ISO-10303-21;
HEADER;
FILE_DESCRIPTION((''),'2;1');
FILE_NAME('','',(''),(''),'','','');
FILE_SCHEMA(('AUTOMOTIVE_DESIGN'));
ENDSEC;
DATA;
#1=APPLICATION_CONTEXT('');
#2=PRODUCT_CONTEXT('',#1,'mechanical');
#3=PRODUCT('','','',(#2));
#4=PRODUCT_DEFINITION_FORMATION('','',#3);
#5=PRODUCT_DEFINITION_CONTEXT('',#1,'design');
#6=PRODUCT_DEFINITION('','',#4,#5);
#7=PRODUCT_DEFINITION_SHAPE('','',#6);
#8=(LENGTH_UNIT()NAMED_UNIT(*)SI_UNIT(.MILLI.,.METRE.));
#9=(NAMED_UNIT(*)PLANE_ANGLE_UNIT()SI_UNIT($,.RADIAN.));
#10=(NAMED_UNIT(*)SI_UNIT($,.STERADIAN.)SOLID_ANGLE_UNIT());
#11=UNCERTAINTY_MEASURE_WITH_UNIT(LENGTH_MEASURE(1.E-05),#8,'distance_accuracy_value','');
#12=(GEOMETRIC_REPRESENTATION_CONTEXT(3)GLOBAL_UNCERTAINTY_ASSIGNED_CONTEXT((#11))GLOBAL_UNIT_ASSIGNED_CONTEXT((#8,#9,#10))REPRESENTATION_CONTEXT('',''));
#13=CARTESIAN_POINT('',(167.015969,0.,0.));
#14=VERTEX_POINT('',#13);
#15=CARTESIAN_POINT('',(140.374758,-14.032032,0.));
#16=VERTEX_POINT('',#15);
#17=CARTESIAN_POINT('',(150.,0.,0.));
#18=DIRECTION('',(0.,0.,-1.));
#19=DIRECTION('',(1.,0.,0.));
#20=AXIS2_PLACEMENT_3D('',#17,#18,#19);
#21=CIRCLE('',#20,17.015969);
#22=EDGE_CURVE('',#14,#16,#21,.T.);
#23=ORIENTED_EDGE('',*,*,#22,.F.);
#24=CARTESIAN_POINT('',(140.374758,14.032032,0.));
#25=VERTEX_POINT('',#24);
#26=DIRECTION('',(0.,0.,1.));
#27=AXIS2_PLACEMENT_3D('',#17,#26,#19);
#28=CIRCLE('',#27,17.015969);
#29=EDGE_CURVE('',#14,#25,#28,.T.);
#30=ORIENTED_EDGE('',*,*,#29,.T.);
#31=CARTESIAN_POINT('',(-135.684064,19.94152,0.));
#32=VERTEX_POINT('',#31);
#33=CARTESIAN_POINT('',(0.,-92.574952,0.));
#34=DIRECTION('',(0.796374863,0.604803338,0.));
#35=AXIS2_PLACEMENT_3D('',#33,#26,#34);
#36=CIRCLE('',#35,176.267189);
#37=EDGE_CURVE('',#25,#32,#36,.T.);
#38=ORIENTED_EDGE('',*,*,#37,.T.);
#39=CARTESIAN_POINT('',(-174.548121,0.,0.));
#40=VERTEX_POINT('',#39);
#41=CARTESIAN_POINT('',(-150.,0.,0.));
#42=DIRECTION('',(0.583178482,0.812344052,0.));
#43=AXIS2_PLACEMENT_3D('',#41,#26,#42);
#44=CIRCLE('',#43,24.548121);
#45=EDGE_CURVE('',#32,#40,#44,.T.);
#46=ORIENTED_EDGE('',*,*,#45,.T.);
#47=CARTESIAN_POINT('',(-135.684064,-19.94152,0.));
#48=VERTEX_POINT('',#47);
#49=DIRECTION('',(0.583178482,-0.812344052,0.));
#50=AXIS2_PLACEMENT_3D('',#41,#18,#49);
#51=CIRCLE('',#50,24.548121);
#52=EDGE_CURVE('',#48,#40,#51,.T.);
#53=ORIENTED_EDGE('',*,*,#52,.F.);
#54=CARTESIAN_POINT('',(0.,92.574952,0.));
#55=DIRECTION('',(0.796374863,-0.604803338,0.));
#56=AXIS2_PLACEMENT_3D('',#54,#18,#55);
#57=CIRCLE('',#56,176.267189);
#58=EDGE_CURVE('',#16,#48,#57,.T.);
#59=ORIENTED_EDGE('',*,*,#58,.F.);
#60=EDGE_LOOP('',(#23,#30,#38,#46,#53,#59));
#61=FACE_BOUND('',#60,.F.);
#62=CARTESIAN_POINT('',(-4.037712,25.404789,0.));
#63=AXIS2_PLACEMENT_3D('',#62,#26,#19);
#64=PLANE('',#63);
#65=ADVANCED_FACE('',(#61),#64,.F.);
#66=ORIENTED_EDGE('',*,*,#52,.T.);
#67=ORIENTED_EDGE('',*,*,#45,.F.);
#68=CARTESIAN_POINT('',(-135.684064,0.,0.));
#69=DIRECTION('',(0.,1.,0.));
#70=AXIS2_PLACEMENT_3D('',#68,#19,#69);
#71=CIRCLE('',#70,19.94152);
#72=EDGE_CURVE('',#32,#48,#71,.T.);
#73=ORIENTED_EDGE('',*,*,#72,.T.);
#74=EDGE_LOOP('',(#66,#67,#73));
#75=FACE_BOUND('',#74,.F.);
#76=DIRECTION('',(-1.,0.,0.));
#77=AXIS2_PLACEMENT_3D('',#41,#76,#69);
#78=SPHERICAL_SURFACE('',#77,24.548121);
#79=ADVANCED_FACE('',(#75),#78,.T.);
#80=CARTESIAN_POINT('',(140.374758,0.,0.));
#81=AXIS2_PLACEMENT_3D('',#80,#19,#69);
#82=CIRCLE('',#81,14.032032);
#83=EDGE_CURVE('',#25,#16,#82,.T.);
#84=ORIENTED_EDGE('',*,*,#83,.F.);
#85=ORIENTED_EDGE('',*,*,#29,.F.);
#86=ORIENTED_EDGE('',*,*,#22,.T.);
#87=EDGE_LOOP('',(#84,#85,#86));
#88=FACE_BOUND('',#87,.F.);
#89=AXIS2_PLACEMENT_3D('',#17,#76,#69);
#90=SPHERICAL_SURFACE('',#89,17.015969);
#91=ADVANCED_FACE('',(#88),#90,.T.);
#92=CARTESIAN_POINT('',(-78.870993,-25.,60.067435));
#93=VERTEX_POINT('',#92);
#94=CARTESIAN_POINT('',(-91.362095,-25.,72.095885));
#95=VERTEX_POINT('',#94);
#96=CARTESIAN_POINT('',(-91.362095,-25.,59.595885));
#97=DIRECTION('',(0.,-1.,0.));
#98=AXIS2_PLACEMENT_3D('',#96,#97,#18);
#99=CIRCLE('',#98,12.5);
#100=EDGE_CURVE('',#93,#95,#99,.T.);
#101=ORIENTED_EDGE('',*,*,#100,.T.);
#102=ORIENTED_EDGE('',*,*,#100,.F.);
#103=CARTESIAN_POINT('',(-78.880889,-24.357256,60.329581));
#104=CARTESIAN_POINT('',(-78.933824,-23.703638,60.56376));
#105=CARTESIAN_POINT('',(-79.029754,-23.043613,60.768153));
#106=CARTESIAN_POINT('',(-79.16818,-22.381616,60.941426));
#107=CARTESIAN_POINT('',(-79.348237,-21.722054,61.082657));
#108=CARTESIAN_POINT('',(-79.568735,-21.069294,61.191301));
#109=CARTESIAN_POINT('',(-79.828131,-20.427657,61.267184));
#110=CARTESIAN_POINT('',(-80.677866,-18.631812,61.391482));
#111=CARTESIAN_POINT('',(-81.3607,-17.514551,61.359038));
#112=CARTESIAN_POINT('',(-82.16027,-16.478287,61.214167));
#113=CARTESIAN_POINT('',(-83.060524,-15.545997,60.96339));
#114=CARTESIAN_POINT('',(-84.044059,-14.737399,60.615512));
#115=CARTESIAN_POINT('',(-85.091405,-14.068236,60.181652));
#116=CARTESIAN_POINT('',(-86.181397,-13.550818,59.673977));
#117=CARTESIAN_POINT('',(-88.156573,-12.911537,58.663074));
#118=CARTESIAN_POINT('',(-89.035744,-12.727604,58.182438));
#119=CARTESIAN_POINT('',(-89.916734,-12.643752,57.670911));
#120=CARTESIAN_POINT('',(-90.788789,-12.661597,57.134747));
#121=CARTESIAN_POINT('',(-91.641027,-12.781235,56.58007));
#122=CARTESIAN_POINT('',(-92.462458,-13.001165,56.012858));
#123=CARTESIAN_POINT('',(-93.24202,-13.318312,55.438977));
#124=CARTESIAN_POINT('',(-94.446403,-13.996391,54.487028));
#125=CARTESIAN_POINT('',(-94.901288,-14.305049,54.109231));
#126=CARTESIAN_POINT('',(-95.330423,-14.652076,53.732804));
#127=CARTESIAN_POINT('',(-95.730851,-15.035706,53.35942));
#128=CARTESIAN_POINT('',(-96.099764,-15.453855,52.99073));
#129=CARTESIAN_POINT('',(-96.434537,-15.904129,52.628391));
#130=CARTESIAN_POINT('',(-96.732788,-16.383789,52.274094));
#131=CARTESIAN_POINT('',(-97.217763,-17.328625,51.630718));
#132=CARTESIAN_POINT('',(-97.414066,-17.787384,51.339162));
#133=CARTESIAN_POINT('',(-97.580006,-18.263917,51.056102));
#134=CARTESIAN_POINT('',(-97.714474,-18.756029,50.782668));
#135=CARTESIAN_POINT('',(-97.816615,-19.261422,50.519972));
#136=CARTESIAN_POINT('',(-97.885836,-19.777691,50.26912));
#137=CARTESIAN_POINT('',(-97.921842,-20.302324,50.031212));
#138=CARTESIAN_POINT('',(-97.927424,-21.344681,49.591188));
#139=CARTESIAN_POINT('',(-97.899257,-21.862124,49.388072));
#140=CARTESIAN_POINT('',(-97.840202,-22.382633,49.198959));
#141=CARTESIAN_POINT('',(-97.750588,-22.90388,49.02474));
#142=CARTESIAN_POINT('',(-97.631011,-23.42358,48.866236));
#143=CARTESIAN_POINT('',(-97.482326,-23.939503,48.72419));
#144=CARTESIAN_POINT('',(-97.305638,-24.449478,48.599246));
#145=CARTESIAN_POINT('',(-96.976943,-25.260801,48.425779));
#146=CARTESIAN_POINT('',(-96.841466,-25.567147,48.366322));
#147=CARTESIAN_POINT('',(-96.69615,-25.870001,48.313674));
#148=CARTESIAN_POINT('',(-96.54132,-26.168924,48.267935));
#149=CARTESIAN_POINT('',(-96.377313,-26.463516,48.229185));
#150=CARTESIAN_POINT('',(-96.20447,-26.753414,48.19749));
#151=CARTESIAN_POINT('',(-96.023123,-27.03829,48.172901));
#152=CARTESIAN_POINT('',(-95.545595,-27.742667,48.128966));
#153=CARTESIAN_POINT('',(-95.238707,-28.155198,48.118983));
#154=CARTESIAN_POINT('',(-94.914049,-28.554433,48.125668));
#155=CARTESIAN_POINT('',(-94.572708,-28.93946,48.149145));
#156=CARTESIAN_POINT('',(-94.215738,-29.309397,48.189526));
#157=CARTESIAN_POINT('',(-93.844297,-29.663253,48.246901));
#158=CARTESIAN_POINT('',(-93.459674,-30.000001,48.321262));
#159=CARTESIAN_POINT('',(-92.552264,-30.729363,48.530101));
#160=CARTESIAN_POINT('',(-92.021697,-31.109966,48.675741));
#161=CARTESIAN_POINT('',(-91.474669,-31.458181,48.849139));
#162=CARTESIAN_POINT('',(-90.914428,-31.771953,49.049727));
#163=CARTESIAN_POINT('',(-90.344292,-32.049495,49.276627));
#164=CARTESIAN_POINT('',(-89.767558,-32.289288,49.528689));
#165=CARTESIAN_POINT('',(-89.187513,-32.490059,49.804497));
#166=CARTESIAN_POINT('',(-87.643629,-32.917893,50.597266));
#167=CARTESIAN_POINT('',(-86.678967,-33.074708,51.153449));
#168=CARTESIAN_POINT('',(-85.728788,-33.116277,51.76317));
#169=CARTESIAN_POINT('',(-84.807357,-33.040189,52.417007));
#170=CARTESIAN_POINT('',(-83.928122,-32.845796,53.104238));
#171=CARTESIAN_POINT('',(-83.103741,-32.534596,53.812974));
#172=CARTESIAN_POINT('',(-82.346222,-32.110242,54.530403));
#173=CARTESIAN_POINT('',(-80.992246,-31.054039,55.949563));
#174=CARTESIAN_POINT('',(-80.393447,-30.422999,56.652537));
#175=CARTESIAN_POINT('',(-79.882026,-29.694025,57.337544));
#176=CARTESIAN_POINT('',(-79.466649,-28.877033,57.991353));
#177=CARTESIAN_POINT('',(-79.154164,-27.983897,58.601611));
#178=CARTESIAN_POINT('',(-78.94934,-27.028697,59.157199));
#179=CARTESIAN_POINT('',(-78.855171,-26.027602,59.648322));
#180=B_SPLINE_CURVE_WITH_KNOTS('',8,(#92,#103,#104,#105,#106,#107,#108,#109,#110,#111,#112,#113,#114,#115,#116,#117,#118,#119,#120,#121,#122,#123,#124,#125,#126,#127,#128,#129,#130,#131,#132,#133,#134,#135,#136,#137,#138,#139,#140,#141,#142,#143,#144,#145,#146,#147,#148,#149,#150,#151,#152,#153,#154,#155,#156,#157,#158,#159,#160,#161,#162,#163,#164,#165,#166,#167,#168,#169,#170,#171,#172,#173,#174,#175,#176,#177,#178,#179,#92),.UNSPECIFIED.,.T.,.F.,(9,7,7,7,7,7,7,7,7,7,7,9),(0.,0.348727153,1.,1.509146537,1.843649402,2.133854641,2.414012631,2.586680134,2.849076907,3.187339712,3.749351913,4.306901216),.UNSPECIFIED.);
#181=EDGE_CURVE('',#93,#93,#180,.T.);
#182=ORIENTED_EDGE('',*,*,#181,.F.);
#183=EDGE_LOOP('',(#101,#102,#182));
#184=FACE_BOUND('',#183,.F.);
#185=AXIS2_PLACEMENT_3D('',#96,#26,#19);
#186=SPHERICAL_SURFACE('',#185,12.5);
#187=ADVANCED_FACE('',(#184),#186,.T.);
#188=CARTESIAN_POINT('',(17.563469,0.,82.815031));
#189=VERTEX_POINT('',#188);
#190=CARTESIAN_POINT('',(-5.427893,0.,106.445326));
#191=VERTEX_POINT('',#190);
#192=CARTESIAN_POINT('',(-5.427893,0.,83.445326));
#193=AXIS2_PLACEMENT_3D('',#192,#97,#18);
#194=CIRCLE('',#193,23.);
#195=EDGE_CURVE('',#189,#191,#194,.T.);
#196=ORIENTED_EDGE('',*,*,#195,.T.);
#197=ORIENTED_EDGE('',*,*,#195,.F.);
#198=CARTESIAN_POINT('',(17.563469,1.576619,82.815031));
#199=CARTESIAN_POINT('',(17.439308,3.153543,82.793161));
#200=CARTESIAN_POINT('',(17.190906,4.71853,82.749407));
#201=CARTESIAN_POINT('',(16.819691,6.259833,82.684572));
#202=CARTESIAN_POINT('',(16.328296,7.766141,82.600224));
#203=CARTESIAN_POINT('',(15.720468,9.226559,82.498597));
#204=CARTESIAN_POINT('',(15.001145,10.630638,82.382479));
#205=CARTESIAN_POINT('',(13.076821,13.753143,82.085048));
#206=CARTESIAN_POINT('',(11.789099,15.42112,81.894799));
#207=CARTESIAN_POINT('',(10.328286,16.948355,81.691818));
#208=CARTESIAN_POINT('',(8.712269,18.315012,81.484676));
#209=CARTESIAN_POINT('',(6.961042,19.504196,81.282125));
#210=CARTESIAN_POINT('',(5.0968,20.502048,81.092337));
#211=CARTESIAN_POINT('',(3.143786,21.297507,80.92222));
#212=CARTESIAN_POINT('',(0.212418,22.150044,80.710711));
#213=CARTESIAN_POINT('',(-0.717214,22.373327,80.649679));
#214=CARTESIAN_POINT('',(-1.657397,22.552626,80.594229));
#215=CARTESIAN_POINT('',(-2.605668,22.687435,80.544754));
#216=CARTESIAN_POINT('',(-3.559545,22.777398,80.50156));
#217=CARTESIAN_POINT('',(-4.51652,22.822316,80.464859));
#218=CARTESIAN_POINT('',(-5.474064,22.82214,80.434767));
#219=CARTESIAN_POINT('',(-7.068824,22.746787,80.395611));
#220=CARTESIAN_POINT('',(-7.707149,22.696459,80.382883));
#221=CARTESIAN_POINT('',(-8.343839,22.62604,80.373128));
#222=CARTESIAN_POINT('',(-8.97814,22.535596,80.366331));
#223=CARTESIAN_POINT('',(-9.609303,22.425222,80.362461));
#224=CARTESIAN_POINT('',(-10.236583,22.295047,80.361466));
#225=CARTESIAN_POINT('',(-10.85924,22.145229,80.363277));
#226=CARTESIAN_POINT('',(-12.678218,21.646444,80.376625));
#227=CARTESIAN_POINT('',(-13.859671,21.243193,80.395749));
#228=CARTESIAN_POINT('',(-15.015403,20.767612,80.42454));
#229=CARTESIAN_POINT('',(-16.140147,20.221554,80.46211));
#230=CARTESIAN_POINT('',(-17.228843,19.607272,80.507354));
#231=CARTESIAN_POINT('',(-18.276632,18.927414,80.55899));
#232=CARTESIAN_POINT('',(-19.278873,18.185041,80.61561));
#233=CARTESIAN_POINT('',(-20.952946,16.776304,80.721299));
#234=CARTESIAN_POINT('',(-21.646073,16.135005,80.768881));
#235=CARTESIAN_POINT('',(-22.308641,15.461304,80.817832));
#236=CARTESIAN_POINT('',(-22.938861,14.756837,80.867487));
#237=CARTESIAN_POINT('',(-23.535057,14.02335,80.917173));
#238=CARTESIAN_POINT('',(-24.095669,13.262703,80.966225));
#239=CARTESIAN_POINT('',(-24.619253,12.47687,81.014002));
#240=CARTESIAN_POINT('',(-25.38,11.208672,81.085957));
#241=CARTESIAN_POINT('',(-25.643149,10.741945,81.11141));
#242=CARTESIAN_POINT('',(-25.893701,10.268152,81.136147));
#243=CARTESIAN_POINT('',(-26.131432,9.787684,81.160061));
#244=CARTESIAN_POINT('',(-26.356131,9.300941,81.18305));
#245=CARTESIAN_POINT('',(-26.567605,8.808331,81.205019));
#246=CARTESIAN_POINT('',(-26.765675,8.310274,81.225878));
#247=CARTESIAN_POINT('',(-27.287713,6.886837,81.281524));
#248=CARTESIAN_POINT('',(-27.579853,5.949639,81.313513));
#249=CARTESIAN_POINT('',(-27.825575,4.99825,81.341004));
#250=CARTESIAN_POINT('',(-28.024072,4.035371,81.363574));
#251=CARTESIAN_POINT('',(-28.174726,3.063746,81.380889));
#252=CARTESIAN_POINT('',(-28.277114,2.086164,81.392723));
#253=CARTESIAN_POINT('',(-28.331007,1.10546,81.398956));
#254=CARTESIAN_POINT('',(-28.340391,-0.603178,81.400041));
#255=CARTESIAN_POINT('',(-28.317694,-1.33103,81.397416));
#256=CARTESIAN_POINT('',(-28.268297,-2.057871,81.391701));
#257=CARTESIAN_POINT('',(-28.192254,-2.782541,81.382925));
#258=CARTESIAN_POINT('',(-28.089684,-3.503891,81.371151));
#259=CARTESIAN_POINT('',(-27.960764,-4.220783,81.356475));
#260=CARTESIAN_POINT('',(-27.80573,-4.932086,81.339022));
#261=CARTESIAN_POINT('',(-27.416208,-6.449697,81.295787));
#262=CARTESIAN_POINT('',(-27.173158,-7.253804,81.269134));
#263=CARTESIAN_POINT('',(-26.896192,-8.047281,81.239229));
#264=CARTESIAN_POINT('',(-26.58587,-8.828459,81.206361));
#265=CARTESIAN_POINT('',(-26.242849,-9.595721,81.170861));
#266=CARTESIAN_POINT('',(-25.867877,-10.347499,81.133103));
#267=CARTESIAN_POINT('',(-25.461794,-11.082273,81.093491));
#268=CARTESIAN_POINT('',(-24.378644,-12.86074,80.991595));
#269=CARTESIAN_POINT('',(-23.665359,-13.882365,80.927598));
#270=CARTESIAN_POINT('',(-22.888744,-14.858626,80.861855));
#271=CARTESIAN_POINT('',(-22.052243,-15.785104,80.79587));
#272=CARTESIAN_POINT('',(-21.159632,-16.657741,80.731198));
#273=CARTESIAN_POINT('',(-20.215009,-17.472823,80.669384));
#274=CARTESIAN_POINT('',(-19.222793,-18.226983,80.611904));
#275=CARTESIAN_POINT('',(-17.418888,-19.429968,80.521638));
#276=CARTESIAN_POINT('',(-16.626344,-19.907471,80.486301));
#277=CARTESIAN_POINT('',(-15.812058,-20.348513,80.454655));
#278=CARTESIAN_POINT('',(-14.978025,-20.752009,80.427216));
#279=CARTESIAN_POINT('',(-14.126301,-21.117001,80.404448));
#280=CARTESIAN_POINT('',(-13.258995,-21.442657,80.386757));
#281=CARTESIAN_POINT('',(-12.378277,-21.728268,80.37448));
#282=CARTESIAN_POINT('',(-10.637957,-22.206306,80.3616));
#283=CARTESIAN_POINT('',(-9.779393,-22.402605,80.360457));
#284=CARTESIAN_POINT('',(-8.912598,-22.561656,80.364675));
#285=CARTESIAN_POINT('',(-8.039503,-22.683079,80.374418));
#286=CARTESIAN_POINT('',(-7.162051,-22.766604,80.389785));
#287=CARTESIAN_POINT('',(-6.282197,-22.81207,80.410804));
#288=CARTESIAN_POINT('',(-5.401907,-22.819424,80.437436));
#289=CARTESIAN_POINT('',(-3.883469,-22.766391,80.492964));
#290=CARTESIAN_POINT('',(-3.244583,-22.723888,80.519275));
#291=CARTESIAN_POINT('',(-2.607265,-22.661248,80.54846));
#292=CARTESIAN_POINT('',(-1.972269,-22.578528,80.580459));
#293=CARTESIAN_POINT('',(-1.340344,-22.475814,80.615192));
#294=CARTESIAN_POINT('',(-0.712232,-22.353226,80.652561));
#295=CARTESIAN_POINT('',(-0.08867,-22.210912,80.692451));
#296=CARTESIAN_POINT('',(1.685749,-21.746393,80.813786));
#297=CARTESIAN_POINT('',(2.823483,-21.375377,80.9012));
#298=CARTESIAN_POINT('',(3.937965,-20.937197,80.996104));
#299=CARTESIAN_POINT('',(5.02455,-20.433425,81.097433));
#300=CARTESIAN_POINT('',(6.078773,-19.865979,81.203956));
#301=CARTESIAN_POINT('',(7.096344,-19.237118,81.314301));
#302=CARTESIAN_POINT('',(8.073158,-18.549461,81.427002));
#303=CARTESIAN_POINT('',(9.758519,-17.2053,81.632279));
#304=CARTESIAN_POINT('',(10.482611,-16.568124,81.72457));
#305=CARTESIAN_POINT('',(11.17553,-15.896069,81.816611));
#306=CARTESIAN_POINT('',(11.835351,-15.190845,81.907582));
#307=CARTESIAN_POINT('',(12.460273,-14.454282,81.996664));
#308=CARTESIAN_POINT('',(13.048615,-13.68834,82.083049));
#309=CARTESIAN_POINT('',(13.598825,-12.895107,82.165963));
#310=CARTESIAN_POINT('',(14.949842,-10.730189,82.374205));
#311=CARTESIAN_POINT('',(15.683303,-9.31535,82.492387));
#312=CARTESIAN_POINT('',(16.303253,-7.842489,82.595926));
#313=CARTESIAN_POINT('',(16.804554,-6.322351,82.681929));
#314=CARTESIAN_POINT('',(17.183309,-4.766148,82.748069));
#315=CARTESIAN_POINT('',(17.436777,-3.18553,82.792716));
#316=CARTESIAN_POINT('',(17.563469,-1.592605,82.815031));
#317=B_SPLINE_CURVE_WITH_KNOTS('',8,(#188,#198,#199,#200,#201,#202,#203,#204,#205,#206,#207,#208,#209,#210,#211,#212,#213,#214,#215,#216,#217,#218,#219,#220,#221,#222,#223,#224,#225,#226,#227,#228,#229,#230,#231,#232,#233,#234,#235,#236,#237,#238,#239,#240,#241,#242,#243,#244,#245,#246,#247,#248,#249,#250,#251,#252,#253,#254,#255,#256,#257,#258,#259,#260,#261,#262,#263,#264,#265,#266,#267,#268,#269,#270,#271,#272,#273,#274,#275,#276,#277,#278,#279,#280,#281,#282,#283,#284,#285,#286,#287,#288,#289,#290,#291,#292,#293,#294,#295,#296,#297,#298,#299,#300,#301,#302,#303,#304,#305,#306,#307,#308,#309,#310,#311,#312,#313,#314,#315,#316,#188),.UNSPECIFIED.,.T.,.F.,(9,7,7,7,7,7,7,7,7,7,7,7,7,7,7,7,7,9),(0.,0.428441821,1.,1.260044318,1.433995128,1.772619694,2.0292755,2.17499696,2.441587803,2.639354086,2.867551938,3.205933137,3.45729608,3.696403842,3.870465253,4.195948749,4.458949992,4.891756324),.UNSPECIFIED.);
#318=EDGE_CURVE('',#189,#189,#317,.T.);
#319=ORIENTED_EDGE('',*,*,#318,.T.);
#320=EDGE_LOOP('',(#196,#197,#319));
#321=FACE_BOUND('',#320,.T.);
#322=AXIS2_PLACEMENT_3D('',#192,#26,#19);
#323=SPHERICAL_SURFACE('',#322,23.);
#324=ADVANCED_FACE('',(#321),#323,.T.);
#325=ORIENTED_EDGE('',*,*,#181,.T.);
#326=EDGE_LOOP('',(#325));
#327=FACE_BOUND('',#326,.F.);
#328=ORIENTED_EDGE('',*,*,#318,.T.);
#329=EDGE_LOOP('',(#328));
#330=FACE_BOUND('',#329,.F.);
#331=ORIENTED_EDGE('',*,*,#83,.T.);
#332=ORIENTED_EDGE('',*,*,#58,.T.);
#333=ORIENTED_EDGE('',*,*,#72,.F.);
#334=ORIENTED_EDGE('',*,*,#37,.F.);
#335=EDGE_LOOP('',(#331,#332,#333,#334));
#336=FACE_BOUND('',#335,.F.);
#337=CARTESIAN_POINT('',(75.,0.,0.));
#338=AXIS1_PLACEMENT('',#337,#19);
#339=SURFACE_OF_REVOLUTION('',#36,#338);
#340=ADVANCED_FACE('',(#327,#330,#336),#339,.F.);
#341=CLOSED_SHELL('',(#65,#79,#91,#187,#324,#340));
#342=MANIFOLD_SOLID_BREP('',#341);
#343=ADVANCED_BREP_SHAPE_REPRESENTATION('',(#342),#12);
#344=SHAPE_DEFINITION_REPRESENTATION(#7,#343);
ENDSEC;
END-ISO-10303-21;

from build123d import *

# Parameters (mm, degrees)
F1_ANGLE_BACK = 90
F1_ANGLE      = 180


with BuildPart() as f1:
    # F0 (on Front) → F1 (revolve)
    with BuildSketch(Plane.XZ, mode=Mode.PRIVATE) as f1_sk:
        with BuildLine():
            Line((-174.5481213674, 0), (-125.4518786326, 0))
            Line((-125.4518786326, 0), (0, 0))
            Line((0, 0), (150, 0))
            Line((150, 0), (167.0159689891, 0))
            ThreePointArc((167.0159689891, 0), (157.9297031271, 15.055331579), (140.3747581242, 14.0320319081))
            ThreePointArc((140.3747581242, 14.0320319081), (3.7724218582, 83.6518636745), (-135.6840638443, 19.9415203696))
            ThreePointArc((-135.6840638443, 19.9415203696), (-161.2067150501, 21.8407829633), (-174.5481213674, 0))
        make_face()
    revolve(f1_sk.sketch.rotate(Axis((75, 0, 0), (1, 0, 0)), -F1_ANGLE_BACK), axis=Axis((75, 0, 0), (1, 0, 0)), revolution_arc=F1_ANGLE)

    # F2 (on Front) → F3 (revolve)
    with BuildSketch(Plane.XZ):
        with BuildLine():
            Line((-5.4278934686, 106.4453259364), (-5.4278934686, 83.4453259364))
            Line((-5.4278934686, 83.4453259364), (-5.4278934686, 60.4453259364))
            ThreePointArc((-5.4278934686, 60.4453259364), (17.5721065314, 83.4453259364), (-5.4278934686, 106.4453259364))
        make_face()
    revolve(axis=Axis((-5.4278934686, 0, 94.9453259364), (0, 0, 1)))

    # F5 (on offset) → F6 (revolve)
    with BuildSketch(Plane.XZ.offset(25)):
        with BuildLine():
            Line((-91.3620953561, 72.0958850223), (-91.3620953561, 47.0958850223))
            ThreePointArc((-91.3620953561, 47.0958850223), (-78.8620953561, 59.5958850223), (-91.3620953561, 72.0958850223))
        make_face()
    revolve(axis=Axis((-91.3620953561, -25, 59.5958850223), (0, 0, -1)))


solid = f1.part
